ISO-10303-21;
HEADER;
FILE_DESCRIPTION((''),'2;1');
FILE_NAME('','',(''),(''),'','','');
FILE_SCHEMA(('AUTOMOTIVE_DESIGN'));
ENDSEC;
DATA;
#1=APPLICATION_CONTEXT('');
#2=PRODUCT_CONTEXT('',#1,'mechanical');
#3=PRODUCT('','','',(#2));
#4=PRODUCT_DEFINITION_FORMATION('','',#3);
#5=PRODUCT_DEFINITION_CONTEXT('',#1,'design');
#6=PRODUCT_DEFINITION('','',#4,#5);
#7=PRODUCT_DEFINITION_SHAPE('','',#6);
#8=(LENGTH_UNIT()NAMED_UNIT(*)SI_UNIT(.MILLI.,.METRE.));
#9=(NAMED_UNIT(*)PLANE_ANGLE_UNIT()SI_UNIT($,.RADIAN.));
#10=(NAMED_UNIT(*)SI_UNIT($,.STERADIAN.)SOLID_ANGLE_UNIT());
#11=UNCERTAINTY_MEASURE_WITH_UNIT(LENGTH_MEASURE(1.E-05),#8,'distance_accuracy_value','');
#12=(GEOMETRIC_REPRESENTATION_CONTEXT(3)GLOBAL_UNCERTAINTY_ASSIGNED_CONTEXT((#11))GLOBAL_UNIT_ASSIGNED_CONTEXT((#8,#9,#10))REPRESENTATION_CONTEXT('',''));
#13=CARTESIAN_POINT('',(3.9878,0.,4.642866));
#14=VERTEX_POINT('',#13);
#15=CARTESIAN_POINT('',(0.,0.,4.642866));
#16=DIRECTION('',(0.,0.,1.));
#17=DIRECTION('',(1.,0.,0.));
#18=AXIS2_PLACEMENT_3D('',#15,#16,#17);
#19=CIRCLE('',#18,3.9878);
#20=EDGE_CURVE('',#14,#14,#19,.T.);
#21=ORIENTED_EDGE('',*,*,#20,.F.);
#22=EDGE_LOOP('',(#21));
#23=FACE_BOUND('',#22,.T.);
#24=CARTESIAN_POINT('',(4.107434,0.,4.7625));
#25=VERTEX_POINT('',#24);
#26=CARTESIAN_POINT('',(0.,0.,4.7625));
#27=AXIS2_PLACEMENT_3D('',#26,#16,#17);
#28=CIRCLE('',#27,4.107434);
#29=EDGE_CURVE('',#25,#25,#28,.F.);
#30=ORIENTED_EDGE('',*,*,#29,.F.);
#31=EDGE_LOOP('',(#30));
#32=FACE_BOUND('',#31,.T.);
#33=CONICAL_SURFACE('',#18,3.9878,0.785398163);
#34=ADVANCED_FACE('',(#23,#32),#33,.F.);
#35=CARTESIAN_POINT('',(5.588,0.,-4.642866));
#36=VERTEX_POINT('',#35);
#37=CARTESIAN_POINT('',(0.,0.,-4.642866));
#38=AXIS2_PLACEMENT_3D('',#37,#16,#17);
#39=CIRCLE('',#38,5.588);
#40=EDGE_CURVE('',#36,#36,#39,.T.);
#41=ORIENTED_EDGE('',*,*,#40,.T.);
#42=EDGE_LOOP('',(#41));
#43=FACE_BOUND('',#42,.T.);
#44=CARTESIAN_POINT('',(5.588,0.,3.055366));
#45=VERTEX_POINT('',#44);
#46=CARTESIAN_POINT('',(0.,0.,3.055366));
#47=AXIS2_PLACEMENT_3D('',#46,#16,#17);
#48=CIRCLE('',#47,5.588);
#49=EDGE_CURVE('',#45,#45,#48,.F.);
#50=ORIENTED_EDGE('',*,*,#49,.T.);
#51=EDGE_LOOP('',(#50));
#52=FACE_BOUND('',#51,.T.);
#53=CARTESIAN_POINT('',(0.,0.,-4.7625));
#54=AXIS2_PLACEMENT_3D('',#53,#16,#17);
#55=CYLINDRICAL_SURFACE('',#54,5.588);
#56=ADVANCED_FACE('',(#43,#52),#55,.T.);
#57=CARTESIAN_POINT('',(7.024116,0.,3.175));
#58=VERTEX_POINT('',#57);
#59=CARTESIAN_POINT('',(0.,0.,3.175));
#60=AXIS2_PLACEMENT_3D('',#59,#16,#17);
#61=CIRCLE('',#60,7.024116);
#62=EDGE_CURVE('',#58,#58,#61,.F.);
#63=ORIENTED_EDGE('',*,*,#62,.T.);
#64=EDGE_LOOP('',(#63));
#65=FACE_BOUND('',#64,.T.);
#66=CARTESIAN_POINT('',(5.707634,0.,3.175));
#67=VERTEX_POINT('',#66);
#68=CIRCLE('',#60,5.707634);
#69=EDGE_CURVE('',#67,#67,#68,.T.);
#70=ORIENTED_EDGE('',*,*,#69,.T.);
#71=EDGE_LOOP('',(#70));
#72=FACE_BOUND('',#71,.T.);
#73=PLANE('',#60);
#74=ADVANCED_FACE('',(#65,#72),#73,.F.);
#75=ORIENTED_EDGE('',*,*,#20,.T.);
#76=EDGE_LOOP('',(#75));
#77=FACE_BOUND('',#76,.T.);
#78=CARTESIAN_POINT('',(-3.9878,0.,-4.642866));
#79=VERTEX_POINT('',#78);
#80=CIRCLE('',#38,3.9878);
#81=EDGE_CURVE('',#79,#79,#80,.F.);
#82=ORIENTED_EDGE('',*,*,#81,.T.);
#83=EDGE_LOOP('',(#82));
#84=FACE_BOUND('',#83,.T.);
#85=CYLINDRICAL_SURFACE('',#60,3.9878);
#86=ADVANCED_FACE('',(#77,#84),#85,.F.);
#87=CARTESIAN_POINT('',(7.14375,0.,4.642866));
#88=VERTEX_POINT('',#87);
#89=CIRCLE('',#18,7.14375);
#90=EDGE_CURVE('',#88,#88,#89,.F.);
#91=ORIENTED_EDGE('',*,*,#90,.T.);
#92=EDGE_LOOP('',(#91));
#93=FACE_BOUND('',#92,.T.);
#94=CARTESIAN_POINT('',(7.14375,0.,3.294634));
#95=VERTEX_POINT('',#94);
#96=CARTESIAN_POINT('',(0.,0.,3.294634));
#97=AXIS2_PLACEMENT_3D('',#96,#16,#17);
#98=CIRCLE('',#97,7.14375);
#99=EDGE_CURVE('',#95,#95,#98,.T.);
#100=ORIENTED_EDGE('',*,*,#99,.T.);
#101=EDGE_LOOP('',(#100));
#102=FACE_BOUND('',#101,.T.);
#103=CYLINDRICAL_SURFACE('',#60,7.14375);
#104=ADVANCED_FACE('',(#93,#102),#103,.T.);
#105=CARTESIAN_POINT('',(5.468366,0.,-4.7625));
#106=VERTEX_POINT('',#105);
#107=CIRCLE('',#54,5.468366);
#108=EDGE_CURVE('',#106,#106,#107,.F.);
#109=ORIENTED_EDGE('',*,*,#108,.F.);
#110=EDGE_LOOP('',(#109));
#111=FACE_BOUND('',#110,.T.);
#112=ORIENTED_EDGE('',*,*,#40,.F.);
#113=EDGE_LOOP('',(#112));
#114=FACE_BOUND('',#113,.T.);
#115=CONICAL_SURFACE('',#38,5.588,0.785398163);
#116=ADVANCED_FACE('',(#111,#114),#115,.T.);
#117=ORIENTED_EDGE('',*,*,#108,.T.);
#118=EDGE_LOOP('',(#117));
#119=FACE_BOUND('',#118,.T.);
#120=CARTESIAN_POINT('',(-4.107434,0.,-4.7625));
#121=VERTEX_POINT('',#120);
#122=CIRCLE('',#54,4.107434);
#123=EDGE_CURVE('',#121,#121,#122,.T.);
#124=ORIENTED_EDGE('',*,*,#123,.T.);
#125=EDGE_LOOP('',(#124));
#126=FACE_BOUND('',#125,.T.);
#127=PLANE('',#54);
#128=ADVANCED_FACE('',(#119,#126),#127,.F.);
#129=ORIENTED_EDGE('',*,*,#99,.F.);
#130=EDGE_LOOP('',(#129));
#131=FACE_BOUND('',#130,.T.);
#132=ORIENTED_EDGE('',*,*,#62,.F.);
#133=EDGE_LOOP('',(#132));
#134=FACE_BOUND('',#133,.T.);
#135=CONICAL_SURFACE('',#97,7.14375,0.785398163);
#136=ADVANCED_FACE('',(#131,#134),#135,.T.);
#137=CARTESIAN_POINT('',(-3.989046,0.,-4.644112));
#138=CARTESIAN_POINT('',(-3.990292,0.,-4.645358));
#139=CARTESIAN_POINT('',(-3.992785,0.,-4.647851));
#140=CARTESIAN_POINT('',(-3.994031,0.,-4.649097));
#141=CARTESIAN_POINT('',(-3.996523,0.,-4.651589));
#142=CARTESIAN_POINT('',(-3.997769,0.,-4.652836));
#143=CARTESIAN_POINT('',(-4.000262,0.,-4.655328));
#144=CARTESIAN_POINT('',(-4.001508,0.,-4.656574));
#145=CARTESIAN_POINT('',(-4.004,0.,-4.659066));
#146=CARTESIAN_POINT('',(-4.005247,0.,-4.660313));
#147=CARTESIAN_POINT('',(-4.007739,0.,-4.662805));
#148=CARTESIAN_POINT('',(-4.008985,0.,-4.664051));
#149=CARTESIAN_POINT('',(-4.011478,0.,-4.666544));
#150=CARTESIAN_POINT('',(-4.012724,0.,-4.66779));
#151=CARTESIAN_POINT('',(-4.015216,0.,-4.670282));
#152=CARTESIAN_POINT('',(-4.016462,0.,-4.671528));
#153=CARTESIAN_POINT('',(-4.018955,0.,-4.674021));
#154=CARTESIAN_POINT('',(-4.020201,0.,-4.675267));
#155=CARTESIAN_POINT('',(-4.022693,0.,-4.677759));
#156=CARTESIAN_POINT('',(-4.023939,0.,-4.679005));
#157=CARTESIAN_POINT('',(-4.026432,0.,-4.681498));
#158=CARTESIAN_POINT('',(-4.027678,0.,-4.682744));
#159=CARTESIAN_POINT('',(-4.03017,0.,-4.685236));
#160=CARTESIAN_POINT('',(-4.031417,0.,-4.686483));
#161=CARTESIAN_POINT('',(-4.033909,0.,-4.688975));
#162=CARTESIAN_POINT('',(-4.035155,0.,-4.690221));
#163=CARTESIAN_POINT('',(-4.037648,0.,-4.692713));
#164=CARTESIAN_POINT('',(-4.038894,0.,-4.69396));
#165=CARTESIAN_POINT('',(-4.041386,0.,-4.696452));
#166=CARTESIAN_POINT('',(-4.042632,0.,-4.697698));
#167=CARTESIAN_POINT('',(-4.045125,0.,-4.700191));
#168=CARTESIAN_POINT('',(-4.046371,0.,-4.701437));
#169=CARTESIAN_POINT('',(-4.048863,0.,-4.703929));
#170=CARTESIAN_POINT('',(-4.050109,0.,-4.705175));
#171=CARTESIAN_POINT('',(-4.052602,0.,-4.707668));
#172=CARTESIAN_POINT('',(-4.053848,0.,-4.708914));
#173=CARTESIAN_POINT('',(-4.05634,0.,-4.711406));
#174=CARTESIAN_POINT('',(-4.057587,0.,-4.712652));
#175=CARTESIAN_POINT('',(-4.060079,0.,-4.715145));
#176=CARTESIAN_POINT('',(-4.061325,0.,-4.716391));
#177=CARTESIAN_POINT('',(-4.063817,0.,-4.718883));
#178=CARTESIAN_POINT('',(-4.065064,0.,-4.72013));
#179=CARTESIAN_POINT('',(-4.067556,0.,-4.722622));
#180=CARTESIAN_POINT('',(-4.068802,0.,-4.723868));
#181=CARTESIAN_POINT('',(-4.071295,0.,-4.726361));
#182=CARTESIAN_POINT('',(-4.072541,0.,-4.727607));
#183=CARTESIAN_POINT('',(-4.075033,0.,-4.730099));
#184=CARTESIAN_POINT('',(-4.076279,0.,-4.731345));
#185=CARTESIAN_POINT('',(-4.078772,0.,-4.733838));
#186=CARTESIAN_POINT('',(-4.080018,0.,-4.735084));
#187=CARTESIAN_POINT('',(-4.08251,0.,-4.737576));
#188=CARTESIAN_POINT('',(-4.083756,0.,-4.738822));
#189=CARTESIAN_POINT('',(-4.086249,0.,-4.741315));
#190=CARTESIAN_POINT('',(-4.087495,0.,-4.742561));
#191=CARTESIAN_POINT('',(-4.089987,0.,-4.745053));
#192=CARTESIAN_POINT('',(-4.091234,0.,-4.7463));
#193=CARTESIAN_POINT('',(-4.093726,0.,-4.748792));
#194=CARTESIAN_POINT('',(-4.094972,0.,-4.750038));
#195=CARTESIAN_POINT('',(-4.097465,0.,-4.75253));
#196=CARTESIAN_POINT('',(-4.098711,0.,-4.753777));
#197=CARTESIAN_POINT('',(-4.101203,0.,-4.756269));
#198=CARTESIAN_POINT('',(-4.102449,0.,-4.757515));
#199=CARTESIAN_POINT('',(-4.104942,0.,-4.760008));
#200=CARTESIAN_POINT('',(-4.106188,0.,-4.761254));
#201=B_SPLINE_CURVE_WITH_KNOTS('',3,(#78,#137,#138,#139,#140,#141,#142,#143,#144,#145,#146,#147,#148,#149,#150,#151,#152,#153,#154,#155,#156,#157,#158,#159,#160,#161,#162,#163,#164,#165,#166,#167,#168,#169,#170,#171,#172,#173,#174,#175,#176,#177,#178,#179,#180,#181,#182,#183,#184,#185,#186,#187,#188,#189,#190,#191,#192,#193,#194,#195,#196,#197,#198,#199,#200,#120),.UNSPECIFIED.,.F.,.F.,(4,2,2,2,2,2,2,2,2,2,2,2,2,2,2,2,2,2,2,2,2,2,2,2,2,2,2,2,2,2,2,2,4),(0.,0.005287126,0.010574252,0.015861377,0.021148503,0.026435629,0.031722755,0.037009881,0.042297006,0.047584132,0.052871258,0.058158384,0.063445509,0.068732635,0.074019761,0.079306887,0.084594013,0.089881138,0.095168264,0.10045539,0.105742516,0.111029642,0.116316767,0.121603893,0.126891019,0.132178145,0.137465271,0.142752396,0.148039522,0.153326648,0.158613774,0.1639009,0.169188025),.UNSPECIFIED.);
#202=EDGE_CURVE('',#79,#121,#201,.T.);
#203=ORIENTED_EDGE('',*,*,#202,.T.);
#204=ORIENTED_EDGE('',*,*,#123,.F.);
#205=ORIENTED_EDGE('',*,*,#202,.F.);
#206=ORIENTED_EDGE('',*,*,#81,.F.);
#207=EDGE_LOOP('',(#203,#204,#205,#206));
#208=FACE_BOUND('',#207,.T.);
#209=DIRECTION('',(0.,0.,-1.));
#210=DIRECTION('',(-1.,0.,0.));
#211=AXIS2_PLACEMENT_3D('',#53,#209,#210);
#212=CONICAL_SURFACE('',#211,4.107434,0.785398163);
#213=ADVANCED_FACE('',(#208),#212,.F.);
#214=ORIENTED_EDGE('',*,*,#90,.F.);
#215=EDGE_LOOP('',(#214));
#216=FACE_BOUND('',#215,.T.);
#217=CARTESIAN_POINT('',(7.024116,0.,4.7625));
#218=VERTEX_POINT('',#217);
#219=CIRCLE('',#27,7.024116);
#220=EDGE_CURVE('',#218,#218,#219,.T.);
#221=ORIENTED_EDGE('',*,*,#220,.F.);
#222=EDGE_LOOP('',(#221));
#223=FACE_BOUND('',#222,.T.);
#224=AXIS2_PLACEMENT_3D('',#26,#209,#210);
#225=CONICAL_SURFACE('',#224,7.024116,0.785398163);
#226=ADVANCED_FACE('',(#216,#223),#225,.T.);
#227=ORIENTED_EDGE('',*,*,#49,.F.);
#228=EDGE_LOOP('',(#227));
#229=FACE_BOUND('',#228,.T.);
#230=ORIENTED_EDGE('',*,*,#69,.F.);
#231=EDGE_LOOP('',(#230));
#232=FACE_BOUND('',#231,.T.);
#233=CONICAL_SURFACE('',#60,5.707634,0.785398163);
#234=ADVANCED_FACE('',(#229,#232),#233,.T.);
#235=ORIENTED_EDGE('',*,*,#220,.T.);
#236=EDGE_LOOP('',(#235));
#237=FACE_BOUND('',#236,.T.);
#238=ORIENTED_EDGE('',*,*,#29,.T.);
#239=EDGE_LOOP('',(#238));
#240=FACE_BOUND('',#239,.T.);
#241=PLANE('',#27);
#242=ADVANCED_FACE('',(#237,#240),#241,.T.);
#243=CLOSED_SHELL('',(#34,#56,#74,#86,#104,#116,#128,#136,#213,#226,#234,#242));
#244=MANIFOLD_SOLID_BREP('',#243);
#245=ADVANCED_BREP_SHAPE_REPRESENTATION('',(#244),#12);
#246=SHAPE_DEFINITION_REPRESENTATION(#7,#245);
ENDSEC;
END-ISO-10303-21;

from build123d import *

# Parameters (mm, degrees)
BOSS_EXTRUDE1_START = 4.7625
SKETCH3_R           = 7.14375
SKETCH3_R_2         = 3.9878
BOSS_EXTRUDE1_DEPTH = 1.5875
BOSS_EXTRUDE2_START = 3.175
SKETCH4_R           = 5.588
SKETCH4_R_2         = 3.9878
BOSS_EXTRUDE2_DEPTH = 7.9375
CHAMFER1_SIZE       = 0.119634


with BuildPart() as part:
    # Sketch3 → Boss-Extrude1 (new body)
    with BuildSketch(Plane.XY.offset(BOSS_EXTRUDE1_START)):
        Circle(SKETCH3_R)
        Circle(SKETCH3_R_2, mode=Mode.SUBTRACT)
    extrude(amount=-BOSS_EXTRUDE1_DEPTH)

    # Sketch4 → Boss-Extrude2 (add)
    with BuildSketch(Plane.XY.offset(BOSS_EXTRUDE2_START)):
        Circle(SKETCH4_R)
        Circle(SKETCH4_R_2, mode=Mode.SUBTRACT)
    extrude(amount=-BOSS_EXTRUDE2_DEPTH)

    # Chamfer1
    chamfer1_edges = [part.edges().sort_by_distance(p)[0] for p in [
        (-3.9878, 0, -4.7625),
        (-5.588, 0, 3.175),
        (-7.14375, 0, 4.7625),
        (-7.14375, 0, 3.175),
        (-3.9878, 0, 4.7625),
        (-5.588, 0, -4.7625),
    ]]
    chamfer(chamfer1_edges, length=CHAMFER1_SIZE)


solid = part.part
